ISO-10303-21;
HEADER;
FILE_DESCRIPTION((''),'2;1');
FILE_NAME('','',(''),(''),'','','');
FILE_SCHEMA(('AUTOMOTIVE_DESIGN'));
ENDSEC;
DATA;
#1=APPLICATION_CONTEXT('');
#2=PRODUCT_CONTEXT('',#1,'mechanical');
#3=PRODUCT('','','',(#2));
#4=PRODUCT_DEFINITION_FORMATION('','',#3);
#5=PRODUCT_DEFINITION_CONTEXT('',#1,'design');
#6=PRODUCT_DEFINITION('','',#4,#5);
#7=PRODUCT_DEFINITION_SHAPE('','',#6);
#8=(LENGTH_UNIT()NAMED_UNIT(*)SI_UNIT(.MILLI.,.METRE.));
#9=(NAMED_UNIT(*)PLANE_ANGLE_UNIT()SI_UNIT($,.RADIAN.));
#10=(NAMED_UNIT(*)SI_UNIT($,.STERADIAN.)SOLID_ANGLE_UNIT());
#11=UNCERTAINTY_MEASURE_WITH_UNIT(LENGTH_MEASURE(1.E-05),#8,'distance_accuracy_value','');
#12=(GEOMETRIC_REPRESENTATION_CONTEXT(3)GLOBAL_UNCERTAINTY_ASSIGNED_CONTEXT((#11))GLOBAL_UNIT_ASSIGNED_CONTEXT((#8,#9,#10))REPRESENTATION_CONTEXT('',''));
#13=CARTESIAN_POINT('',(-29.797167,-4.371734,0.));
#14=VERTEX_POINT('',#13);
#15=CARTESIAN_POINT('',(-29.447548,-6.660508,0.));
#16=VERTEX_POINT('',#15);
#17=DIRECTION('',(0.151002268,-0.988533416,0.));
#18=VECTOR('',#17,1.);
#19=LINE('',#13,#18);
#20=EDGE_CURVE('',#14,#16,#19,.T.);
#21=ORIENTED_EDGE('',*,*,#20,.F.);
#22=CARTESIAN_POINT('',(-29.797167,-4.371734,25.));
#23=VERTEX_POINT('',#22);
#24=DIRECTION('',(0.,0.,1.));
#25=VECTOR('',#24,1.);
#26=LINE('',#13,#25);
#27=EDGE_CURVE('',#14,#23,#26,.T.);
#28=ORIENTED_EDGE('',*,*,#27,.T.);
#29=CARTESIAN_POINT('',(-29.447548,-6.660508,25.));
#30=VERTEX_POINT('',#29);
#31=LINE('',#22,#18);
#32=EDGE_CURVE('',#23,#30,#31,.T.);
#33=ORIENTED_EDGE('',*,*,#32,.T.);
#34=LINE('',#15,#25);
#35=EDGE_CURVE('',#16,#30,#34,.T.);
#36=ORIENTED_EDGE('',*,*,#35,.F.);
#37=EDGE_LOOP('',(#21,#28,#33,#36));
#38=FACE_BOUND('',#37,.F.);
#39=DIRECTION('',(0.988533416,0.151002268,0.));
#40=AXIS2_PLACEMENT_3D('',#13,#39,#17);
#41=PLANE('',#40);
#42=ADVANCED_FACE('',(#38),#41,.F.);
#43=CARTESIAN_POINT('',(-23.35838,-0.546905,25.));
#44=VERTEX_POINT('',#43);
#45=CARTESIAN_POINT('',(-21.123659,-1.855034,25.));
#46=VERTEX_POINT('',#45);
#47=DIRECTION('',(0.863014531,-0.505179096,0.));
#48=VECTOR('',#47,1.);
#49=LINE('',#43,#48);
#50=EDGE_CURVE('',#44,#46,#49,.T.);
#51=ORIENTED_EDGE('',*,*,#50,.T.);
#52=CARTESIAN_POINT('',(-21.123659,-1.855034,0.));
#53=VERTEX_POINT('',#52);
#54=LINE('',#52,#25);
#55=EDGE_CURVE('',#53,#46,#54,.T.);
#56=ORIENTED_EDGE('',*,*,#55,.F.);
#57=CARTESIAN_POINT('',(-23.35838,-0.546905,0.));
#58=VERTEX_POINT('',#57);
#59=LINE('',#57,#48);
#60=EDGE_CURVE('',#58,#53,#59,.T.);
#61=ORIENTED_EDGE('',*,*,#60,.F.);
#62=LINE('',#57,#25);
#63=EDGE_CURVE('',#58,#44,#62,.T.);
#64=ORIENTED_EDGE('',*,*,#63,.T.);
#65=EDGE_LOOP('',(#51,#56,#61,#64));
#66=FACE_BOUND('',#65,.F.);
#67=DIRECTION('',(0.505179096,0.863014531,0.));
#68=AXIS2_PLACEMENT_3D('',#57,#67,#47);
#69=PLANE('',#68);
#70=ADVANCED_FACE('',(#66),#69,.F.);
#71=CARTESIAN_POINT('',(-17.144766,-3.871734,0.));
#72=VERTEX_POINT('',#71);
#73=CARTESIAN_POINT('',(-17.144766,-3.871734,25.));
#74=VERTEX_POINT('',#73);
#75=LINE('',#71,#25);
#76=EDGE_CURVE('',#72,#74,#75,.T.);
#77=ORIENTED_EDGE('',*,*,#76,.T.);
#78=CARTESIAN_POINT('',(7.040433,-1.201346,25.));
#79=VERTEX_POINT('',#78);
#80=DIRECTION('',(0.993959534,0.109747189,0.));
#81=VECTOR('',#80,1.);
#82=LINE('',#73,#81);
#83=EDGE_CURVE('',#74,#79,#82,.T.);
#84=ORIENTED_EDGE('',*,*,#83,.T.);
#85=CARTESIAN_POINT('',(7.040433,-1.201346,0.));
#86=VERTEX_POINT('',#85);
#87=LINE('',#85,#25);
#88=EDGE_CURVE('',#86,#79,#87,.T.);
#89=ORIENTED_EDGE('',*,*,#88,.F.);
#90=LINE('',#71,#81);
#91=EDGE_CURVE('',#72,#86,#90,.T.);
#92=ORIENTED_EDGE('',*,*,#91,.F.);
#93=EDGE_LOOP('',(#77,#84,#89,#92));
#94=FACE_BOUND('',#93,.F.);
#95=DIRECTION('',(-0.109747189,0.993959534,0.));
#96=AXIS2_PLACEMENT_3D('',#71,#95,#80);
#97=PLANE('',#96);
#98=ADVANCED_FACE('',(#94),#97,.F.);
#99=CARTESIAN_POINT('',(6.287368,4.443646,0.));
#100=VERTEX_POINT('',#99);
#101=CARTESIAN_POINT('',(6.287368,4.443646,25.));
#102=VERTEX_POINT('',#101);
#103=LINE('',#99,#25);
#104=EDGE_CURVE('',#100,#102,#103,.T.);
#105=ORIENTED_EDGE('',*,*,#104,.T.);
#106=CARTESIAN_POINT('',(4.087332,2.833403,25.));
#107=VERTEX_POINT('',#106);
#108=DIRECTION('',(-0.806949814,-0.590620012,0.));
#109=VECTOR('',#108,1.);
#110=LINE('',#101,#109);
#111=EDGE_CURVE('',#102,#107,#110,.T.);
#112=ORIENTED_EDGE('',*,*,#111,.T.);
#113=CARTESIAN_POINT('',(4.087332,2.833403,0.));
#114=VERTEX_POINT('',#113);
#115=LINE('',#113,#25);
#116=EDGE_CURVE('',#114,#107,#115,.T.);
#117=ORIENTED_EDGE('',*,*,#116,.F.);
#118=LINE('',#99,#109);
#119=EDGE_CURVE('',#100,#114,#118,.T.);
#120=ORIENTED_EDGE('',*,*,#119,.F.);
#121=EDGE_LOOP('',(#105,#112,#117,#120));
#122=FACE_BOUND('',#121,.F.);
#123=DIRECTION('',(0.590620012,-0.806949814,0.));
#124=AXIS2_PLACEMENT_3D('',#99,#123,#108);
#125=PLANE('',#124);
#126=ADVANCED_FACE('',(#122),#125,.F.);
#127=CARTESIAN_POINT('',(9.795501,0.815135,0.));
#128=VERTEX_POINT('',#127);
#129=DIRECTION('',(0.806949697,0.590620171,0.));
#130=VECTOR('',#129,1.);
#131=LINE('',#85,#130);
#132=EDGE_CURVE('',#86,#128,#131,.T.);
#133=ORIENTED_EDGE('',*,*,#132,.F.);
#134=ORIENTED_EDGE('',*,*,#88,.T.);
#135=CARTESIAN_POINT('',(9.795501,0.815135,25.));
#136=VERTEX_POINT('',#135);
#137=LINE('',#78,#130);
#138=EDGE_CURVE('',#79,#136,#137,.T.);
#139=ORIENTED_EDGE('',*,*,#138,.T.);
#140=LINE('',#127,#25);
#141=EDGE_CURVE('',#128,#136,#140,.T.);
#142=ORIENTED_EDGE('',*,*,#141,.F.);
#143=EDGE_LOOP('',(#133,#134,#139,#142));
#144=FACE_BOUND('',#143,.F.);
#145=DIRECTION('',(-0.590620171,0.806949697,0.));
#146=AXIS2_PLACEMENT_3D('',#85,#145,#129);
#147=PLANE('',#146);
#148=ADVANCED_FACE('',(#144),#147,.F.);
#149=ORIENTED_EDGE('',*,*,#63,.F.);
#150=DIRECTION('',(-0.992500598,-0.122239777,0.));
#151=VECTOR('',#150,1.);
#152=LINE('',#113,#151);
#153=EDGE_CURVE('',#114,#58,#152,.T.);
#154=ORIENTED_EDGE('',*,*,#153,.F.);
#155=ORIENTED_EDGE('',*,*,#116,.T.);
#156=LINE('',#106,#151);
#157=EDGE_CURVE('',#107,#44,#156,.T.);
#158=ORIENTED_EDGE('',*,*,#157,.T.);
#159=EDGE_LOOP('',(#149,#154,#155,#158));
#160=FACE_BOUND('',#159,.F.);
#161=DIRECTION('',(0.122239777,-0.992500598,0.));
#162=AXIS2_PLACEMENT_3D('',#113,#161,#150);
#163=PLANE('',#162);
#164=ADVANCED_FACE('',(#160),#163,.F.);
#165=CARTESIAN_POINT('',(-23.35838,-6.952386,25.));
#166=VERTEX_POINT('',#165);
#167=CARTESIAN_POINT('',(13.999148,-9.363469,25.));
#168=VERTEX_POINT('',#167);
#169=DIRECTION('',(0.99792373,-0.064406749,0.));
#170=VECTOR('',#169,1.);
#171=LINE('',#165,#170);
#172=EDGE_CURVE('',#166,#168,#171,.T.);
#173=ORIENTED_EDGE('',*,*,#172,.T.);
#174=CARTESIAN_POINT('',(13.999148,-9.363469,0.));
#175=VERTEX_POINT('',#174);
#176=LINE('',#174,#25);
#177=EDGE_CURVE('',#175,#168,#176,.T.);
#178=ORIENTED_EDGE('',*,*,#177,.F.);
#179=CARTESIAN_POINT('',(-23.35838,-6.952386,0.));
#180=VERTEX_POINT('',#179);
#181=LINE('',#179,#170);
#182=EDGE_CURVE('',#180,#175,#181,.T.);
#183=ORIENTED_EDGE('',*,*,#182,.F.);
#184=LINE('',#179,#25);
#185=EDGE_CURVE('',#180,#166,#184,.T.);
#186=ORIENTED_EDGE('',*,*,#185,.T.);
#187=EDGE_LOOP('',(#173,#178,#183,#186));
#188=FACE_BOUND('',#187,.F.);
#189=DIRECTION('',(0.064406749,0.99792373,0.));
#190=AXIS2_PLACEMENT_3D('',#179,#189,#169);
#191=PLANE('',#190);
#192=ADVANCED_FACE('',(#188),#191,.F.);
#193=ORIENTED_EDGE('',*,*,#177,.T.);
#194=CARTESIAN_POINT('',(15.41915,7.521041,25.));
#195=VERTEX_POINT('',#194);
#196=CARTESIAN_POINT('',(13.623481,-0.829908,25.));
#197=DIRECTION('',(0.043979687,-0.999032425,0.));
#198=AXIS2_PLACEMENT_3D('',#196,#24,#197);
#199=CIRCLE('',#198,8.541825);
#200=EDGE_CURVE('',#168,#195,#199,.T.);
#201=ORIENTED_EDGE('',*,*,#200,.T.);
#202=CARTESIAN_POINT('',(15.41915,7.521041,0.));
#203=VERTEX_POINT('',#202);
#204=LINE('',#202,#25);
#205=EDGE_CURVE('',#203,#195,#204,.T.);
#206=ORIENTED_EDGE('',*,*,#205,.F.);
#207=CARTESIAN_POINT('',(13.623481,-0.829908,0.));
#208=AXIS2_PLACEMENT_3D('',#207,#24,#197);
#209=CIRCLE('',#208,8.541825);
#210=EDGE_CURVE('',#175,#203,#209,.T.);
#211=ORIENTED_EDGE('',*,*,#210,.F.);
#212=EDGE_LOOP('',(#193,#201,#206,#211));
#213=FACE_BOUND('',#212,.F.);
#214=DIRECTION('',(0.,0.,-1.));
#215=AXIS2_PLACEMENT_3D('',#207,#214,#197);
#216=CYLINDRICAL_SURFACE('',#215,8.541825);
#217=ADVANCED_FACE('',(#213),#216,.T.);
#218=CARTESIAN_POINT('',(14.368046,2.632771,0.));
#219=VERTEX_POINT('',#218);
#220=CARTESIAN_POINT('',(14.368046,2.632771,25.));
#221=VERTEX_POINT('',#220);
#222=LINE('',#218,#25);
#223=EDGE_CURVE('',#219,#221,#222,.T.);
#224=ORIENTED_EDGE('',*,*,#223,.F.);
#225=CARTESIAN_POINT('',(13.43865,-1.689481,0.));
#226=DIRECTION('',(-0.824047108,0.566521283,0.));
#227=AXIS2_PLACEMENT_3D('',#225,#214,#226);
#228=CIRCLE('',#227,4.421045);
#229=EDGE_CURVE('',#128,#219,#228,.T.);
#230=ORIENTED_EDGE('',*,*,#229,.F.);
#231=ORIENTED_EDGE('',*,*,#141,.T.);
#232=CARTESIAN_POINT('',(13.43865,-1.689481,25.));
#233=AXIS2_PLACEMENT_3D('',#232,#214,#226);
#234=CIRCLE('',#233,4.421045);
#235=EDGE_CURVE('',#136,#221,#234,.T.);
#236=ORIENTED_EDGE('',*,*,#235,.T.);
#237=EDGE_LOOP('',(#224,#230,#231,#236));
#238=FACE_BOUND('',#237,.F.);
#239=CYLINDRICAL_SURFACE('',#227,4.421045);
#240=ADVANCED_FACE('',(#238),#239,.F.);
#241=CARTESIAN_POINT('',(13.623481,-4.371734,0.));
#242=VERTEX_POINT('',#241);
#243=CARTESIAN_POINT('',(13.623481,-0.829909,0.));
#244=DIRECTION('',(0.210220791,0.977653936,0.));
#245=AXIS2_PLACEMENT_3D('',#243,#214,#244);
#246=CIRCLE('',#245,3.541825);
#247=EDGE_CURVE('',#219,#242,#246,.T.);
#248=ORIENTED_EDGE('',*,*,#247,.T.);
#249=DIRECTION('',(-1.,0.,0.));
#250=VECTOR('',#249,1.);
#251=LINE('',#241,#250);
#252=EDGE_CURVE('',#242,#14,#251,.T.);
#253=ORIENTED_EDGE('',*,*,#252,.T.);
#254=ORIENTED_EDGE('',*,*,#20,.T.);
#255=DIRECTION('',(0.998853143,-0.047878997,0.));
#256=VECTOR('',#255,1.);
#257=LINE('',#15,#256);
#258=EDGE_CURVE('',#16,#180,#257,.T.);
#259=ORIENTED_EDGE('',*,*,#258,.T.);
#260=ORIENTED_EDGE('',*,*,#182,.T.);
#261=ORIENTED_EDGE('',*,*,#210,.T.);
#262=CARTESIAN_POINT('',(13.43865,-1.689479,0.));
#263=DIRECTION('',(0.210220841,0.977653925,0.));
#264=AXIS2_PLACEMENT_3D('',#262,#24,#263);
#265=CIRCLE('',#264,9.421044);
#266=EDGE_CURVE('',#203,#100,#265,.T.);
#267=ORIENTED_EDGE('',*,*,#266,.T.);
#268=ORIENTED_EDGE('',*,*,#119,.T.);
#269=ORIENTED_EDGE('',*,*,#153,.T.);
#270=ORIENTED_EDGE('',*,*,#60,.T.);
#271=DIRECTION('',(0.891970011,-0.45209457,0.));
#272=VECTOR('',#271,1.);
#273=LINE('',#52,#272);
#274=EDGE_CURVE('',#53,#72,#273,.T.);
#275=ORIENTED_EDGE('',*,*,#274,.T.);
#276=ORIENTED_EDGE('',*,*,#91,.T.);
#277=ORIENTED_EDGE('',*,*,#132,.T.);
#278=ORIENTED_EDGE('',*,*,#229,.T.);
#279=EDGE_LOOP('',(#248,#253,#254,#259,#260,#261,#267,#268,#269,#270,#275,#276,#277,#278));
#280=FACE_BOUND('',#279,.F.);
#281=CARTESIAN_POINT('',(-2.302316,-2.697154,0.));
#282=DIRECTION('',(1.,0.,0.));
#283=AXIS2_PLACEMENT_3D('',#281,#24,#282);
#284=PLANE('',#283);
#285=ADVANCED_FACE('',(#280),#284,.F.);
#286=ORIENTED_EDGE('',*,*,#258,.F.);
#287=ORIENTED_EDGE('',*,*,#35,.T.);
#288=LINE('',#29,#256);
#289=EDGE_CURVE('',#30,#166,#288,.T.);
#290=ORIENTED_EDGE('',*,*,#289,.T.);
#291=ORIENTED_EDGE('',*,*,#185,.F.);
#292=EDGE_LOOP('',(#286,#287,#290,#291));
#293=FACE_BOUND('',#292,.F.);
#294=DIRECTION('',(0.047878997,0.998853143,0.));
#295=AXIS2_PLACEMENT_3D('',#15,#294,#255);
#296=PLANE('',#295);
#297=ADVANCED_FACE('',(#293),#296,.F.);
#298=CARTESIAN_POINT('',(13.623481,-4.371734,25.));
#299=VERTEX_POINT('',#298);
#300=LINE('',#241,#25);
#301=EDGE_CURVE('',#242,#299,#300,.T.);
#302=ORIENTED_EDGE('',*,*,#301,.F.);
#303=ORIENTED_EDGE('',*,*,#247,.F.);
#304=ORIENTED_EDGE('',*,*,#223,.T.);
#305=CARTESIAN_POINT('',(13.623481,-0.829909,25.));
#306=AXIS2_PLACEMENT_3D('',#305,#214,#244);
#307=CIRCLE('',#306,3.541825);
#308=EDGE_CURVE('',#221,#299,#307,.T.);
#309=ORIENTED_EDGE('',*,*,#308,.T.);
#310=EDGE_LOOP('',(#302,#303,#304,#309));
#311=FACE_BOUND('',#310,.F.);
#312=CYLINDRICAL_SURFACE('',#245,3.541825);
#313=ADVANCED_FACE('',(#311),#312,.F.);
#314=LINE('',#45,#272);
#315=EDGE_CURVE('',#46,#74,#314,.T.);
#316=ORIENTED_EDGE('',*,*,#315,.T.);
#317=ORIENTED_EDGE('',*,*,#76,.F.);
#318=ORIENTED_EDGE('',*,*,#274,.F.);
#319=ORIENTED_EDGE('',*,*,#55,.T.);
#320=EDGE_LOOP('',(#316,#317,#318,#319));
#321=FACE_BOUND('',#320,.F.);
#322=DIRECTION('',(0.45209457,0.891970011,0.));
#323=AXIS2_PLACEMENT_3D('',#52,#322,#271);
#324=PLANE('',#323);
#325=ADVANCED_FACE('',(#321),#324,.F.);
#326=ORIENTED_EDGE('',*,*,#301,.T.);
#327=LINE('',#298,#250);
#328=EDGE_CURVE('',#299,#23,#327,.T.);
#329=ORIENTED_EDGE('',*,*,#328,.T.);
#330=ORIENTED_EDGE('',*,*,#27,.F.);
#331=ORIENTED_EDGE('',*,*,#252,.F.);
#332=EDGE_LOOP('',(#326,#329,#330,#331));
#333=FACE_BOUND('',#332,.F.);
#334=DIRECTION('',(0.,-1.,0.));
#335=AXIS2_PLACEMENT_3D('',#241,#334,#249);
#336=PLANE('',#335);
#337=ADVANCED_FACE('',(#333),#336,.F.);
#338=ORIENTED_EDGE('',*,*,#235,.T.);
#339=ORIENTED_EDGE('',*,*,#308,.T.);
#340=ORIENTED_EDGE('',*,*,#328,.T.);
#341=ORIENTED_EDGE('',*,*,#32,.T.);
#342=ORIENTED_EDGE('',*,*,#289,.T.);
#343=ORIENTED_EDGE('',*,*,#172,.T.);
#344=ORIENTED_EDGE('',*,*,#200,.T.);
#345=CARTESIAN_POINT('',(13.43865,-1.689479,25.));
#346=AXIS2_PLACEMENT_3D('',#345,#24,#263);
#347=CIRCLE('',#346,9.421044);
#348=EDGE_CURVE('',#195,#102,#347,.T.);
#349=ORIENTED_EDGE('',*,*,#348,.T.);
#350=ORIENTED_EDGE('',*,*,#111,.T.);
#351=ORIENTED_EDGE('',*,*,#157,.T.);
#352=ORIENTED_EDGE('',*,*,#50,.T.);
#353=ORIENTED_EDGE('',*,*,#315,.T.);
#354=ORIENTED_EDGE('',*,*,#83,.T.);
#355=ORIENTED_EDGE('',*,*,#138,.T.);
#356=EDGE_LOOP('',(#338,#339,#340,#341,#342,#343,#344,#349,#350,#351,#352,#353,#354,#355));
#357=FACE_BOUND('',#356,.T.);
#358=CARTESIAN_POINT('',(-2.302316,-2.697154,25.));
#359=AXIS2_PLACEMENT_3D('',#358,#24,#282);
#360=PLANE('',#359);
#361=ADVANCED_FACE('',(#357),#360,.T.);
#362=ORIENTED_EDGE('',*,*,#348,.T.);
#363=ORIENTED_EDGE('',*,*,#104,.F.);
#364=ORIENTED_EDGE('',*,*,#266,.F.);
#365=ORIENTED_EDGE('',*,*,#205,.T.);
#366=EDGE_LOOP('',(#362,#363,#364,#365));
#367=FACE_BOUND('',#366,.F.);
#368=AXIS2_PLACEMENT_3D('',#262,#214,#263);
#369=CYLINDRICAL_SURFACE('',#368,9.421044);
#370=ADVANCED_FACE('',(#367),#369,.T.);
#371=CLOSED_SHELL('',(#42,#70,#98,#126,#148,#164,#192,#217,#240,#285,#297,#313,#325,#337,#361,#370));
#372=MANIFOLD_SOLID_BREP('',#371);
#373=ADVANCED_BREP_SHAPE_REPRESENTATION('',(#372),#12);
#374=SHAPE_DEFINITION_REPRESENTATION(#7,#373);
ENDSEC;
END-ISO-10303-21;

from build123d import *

# Parameters (mm, degrees)
F1_DEPTH = 25


with BuildPart() as f1:
    # F0 (on Top) → F1 (new body)
    with BuildSketch(Plane.XY):
        with BuildLine():
            Line((13.623481, -4.371734), (-26.376519, -4.371734))
            Line((-26.376519, -4.371734), (-29.797167, -4.371734))
            Line((-29.797167, -4.371734), (-29.447548, -6.660508))
            Line((-29.447548, -6.660508), (-23.35838, -6.952386))
            Line((-23.35838, -6.952386), (13.999148, -9.363469))
            ThreePointArc((13.999148, -9.363469), (22.135258, -1.545756), (15.41915, 7.521041))
            ThreePointArc((15.41915, 7.521041), (10.430023, 7.238243), (6.287368, 4.443646))
            Line((6.287368, 4.443646), (4.087332, 2.833403))
            Line((4.087332, 2.833403), (-23.35838, -0.546905))
            Line((-23.35838, -0.546905), (-21.123659, -1.855034))
            Line((-21.123659, -1.855034), (-17.144766, -3.871734))
            Line((-17.144766, -3.871734), (7.040433, -1.201346))
            Line((7.040433, -1.201346), (9.795501, 0.815135))
            ThreePointArc((9.795501, 0.815135), (11.805535, 2.418873), (14.368046, 2.632771))
            ThreePointArc((14.368046, 2.632771), (17.145464, -1.204289), (13.623481, -4.371734))
        make_face()
    extrude(amount=F1_DEPTH)


solid = f1.part
